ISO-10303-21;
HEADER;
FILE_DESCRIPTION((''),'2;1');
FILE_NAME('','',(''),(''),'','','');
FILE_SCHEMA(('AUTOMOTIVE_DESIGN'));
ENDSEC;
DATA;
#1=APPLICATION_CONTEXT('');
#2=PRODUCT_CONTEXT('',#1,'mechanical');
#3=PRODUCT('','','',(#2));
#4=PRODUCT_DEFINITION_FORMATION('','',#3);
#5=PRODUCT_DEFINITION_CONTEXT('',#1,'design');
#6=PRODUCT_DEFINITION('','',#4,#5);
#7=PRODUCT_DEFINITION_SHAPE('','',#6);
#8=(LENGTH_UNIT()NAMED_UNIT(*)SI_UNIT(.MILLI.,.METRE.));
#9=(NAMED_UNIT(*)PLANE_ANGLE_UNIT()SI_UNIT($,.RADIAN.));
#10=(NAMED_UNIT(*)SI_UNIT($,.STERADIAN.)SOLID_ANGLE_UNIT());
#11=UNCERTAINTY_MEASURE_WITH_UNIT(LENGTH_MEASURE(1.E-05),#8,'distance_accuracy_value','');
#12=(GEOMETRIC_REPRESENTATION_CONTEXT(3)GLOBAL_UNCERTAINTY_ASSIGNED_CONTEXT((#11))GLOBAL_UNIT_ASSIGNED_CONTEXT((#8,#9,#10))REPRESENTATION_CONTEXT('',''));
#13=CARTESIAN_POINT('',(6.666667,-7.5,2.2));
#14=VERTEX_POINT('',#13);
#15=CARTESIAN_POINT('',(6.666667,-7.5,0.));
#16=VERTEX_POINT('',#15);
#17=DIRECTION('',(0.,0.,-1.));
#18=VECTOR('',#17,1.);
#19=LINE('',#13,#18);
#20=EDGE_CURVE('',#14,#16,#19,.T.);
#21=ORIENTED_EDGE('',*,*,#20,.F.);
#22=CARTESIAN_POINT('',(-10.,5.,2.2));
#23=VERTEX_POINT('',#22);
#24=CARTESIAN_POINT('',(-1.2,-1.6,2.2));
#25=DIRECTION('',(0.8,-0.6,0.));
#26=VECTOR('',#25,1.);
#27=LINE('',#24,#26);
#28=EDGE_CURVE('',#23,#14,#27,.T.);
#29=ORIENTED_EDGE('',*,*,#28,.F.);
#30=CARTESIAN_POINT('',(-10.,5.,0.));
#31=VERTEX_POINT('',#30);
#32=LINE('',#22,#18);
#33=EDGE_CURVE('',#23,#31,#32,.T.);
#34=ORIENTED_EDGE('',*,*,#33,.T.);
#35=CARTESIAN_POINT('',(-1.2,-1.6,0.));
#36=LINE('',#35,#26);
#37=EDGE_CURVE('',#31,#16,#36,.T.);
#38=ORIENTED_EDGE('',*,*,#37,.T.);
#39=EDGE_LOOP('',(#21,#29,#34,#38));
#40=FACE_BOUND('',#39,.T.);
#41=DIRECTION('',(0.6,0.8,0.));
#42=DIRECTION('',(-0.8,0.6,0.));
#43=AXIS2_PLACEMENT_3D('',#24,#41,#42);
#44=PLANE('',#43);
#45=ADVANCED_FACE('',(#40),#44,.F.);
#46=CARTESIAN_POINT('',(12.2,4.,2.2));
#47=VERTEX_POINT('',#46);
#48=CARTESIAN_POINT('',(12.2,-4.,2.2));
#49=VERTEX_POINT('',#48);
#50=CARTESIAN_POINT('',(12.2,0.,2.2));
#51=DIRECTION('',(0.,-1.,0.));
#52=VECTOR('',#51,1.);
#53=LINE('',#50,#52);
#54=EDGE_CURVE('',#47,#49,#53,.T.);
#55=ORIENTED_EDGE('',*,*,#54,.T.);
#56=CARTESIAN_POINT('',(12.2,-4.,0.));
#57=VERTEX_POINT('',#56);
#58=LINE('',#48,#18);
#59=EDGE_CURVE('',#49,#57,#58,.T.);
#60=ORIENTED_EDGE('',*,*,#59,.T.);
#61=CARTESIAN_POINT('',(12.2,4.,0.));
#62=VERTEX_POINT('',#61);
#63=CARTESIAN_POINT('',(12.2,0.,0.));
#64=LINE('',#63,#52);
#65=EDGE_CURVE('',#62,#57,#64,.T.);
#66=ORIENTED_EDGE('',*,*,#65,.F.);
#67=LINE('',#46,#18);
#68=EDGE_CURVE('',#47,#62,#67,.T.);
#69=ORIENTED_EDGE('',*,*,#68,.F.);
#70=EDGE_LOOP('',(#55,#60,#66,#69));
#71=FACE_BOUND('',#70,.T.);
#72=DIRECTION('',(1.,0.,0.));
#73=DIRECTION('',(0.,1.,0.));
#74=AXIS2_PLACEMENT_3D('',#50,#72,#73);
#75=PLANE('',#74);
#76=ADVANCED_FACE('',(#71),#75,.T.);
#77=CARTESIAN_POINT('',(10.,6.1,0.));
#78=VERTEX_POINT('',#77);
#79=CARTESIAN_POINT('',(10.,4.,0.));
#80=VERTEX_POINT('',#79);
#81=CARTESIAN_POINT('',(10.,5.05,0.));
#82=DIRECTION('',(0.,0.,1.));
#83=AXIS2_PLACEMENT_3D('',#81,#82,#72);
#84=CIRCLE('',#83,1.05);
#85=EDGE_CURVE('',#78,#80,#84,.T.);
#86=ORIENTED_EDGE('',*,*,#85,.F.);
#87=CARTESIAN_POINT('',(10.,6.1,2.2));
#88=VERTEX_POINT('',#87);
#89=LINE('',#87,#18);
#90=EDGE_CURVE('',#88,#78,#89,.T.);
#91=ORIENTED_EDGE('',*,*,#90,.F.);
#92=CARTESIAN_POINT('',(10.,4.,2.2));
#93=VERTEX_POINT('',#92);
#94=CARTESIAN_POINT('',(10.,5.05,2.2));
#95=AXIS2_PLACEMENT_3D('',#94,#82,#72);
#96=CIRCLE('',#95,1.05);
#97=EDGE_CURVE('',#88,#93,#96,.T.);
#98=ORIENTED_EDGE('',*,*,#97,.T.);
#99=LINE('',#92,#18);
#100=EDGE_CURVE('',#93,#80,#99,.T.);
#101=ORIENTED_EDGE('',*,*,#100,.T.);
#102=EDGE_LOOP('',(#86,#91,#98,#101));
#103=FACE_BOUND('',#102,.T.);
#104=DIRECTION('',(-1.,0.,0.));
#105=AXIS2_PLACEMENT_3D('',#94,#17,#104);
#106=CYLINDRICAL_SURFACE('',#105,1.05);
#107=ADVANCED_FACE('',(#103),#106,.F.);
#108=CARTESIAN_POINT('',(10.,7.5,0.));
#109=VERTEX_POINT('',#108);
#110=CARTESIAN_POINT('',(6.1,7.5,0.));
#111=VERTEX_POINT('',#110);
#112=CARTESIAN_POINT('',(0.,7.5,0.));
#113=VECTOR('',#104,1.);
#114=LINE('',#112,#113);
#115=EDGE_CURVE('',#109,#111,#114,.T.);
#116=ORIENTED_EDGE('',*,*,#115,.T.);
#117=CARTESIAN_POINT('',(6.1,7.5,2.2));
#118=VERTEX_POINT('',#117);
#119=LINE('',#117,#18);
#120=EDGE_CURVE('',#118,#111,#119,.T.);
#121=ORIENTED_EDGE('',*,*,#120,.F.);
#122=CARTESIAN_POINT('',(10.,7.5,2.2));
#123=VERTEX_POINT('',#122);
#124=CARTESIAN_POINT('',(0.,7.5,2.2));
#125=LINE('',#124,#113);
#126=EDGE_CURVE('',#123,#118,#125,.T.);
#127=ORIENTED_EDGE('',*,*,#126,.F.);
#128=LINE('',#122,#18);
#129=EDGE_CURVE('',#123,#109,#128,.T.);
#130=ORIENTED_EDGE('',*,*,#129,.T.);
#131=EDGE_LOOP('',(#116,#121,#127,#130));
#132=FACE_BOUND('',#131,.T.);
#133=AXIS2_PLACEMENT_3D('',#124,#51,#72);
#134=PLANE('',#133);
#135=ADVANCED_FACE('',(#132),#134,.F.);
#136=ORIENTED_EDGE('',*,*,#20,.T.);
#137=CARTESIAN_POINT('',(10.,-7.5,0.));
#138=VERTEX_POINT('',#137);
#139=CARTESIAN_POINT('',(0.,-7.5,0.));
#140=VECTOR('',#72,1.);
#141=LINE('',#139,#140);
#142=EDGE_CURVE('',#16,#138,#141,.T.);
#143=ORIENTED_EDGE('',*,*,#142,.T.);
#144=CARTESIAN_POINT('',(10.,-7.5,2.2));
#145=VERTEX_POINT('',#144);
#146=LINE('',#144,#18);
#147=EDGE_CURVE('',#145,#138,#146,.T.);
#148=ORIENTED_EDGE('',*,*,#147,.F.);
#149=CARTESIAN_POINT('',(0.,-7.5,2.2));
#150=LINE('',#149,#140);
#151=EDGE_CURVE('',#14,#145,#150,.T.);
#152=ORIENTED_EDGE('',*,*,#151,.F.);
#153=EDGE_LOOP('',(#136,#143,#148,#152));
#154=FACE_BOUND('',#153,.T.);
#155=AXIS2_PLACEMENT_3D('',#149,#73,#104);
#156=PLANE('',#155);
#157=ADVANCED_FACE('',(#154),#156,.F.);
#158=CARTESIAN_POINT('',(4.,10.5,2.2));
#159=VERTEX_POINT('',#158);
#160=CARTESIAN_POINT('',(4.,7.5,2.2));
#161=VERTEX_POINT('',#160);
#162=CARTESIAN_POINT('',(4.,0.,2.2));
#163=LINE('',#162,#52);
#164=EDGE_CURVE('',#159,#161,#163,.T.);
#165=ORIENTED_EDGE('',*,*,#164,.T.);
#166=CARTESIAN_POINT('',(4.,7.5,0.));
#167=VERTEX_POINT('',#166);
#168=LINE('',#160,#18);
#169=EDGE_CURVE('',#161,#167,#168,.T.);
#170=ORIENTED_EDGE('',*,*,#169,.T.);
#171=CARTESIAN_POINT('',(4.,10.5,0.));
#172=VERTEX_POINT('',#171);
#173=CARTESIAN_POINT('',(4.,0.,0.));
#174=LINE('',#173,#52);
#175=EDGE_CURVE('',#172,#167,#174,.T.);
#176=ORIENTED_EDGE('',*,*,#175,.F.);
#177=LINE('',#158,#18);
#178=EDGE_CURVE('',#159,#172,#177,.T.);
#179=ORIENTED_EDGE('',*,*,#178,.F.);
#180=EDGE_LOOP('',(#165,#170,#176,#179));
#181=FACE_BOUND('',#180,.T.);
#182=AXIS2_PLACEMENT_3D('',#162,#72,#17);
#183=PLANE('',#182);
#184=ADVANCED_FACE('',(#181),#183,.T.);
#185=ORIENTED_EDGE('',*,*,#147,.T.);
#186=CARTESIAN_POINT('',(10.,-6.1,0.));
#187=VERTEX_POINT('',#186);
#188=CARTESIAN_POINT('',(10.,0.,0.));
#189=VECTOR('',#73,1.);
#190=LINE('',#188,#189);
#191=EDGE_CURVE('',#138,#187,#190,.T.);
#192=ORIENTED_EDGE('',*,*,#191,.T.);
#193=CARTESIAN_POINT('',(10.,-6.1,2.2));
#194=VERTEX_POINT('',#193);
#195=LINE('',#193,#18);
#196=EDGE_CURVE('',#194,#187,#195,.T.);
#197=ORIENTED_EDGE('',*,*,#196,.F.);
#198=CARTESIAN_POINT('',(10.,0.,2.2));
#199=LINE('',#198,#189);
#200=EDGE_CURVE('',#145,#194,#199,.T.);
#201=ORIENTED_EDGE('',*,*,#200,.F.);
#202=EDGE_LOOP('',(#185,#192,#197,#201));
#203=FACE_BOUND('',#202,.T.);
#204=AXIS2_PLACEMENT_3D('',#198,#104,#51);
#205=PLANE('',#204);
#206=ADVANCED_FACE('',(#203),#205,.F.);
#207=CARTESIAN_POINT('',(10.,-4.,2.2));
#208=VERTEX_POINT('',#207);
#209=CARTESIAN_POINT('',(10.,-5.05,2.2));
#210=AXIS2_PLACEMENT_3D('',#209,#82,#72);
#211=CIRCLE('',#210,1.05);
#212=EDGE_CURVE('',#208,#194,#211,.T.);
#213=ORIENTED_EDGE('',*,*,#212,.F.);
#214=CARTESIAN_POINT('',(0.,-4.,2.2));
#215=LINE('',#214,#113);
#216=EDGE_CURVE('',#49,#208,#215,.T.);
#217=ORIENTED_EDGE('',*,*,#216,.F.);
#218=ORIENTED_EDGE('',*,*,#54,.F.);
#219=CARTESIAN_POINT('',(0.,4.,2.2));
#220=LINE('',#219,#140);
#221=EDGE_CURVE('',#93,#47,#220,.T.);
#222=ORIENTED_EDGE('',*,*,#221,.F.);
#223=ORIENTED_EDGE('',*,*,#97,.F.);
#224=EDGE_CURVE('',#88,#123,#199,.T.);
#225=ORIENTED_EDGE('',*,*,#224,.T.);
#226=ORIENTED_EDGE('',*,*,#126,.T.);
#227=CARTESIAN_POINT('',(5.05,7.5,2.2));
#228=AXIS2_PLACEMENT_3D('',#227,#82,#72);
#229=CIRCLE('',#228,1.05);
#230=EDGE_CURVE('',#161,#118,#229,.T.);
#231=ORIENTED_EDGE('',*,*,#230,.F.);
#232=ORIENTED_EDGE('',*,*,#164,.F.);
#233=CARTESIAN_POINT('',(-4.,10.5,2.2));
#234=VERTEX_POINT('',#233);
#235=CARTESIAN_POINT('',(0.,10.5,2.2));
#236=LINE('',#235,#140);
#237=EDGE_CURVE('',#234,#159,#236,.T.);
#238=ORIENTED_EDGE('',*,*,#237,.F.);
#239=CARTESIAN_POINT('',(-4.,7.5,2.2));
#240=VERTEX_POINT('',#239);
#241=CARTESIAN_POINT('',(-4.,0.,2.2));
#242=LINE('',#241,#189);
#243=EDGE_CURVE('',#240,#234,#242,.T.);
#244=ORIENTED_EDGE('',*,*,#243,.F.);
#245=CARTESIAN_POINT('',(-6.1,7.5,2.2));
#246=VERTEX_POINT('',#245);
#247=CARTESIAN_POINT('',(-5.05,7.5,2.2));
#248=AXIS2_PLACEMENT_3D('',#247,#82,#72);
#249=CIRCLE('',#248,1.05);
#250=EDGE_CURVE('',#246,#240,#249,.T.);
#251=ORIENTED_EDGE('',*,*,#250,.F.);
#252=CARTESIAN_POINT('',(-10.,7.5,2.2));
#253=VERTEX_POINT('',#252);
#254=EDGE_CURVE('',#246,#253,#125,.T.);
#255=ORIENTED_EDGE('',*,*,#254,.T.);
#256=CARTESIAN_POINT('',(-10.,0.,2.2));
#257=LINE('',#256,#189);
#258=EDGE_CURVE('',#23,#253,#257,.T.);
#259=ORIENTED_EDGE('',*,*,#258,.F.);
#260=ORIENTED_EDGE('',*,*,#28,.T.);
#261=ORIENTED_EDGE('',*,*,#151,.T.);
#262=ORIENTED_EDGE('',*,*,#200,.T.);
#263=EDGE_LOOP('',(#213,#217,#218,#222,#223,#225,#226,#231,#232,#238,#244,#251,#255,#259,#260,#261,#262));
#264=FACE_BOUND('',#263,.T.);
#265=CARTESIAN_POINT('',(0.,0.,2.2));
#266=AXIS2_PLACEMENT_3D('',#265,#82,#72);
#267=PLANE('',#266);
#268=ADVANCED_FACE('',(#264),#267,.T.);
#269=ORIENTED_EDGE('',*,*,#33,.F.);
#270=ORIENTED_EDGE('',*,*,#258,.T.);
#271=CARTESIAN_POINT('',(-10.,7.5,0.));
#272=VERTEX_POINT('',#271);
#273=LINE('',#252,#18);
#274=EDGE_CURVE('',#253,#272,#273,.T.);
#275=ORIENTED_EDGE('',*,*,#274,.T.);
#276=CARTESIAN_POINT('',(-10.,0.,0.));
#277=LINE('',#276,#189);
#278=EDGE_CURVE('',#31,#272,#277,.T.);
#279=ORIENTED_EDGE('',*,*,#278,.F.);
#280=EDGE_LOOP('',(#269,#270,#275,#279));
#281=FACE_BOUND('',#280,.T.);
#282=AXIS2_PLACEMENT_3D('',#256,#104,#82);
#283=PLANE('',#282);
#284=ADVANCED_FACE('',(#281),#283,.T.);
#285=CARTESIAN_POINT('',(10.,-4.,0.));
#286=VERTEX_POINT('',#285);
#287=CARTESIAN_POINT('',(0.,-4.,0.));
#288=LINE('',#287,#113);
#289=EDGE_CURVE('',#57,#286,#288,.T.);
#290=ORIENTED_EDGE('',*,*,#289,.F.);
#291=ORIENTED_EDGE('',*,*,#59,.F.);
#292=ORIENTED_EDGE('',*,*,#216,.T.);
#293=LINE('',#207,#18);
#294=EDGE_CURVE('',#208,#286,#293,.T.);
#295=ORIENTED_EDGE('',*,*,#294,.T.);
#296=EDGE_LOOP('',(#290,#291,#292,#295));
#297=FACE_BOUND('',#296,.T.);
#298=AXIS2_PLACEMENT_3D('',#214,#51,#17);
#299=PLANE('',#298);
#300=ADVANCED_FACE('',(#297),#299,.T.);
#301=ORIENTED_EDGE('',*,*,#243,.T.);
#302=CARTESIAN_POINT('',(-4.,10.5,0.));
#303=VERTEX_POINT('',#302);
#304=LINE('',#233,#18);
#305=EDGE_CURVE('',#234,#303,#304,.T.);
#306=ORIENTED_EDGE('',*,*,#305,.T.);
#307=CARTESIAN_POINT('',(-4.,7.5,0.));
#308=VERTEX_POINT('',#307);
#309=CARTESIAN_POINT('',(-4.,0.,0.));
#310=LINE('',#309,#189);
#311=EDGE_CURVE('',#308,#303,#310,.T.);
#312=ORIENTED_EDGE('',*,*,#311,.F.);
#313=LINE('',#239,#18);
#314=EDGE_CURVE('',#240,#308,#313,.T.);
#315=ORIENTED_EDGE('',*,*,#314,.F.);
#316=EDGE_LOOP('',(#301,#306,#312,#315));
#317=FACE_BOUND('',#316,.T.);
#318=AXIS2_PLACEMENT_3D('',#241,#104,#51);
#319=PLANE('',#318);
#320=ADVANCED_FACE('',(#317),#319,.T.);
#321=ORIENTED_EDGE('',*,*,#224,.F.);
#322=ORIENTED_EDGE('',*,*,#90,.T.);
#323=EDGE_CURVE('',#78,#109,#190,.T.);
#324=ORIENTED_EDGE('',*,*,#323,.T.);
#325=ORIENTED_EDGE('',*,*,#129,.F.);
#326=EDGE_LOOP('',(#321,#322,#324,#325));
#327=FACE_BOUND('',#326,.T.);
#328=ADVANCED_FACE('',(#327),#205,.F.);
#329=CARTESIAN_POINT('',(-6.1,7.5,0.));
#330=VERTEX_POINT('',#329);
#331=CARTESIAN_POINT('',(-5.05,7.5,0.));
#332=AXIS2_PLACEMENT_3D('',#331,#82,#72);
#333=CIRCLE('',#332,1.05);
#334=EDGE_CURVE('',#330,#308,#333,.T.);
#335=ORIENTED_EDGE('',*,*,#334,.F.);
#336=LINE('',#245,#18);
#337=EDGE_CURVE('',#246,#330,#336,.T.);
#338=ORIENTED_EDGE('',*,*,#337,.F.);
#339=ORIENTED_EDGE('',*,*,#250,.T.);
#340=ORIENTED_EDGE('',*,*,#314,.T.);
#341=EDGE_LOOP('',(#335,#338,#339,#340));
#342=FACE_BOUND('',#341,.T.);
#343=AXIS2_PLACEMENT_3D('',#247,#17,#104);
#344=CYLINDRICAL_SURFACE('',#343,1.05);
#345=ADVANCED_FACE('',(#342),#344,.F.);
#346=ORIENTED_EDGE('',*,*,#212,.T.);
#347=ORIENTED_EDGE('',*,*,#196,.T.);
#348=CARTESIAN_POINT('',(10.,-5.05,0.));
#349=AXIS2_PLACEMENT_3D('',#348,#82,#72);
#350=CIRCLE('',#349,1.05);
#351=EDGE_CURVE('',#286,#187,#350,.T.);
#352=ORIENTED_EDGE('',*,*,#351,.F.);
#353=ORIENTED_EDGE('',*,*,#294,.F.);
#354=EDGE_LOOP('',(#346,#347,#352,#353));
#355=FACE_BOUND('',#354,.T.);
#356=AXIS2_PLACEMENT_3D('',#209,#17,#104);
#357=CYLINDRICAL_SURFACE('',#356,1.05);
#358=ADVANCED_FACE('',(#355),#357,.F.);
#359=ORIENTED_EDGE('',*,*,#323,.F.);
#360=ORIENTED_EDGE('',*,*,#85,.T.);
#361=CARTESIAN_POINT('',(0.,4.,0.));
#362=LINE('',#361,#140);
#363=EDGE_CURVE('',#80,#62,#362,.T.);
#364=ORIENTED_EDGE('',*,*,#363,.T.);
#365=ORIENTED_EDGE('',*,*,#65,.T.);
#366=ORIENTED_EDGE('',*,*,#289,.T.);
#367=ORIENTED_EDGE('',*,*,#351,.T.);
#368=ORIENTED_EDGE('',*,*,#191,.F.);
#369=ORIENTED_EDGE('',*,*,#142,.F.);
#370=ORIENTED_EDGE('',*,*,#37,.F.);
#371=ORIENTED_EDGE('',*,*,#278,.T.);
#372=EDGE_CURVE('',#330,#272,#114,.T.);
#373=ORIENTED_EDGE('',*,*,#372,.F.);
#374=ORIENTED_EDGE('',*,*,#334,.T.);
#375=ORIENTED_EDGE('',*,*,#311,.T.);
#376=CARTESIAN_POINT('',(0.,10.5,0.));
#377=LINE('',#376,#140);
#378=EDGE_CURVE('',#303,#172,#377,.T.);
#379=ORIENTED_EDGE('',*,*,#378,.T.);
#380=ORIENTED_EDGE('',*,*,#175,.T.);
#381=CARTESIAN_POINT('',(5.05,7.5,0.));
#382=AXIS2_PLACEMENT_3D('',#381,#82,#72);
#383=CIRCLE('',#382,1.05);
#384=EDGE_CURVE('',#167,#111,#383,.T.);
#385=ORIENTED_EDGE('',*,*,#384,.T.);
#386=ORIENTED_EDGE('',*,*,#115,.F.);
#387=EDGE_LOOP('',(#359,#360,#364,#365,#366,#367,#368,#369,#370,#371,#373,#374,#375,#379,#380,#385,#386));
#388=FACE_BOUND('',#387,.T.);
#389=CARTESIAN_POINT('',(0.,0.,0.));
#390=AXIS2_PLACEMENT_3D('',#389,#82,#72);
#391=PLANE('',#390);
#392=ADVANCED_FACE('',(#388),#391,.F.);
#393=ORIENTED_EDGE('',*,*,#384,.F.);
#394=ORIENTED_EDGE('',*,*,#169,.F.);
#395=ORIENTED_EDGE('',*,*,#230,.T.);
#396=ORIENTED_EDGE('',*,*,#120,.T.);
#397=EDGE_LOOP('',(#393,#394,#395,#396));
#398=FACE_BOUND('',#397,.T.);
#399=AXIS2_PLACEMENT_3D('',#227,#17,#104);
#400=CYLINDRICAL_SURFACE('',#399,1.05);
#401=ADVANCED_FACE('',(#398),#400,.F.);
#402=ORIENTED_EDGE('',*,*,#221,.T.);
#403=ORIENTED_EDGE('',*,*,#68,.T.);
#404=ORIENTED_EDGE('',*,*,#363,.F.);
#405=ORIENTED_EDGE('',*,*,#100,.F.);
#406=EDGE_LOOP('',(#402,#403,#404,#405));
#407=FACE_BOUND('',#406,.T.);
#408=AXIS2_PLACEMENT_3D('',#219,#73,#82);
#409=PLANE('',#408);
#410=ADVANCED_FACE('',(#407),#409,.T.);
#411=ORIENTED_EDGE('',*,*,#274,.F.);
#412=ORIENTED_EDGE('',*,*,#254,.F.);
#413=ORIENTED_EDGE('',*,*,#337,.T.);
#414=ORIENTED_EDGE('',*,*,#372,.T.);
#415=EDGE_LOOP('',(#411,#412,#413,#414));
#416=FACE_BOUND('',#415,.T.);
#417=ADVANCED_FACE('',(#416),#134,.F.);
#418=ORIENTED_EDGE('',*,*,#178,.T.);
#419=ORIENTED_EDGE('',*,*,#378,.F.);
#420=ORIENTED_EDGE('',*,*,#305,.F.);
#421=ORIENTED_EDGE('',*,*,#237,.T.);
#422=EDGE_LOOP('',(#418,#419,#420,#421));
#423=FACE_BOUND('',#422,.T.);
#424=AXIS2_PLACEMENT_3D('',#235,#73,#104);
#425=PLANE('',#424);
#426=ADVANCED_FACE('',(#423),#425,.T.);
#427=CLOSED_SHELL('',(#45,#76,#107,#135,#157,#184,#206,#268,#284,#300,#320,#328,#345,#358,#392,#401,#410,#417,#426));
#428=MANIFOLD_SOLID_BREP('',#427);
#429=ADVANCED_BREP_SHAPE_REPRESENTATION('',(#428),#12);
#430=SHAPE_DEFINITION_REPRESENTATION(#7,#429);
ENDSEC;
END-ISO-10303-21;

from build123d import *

# Parameters (mm, degrees)
EXTRUDE_1_DEPTH = 2.2


with BuildPart() as part:
    # 草图1 → 凸台-拉伸1 (new body)
    with BuildSketch(Plane.XY):
        with BuildLine():
            Line((-4, 10.5), (-4, 7.5))
            ThreePointArc((-4, 7.5), (-5.05, 6.45), (-6.1, 7.5))
            Line((-6.1, 7.5), (-10, 7.5))
            Line((-10, 7.5), (-10, 5))
            Line((-10, 5), (6.666666667, -7.5))
            Line((6.666666667, -7.5), (10, -7.5))
            Line((10, -7.5), (10, -6.1))
            ThreePointArc((10, -6.1), (8.95, -5.05), (10, -4))
            Line((10, -4), (12.2, -4))
            Line((12.2, -4), (12.2, 4))
            Line((12.2, 4), (10, 4))
            ThreePointArc((10, 4), (8.95, 5.05), (10, 6.1))
            Line((10, 6.1), (10, 7.5))
            Line((10, 7.5), (6.1, 7.5))
            ThreePointArc((6.1, 7.5), (5.05, 6.45), (4, 7.5))
            Line((4, 7.5), (4, 10.5))
            Line((4, 10.5), (-4, 10.5))
        make_face()
    extrude(amount=EXTRUDE_1_DEPTH)


solid = part.part
